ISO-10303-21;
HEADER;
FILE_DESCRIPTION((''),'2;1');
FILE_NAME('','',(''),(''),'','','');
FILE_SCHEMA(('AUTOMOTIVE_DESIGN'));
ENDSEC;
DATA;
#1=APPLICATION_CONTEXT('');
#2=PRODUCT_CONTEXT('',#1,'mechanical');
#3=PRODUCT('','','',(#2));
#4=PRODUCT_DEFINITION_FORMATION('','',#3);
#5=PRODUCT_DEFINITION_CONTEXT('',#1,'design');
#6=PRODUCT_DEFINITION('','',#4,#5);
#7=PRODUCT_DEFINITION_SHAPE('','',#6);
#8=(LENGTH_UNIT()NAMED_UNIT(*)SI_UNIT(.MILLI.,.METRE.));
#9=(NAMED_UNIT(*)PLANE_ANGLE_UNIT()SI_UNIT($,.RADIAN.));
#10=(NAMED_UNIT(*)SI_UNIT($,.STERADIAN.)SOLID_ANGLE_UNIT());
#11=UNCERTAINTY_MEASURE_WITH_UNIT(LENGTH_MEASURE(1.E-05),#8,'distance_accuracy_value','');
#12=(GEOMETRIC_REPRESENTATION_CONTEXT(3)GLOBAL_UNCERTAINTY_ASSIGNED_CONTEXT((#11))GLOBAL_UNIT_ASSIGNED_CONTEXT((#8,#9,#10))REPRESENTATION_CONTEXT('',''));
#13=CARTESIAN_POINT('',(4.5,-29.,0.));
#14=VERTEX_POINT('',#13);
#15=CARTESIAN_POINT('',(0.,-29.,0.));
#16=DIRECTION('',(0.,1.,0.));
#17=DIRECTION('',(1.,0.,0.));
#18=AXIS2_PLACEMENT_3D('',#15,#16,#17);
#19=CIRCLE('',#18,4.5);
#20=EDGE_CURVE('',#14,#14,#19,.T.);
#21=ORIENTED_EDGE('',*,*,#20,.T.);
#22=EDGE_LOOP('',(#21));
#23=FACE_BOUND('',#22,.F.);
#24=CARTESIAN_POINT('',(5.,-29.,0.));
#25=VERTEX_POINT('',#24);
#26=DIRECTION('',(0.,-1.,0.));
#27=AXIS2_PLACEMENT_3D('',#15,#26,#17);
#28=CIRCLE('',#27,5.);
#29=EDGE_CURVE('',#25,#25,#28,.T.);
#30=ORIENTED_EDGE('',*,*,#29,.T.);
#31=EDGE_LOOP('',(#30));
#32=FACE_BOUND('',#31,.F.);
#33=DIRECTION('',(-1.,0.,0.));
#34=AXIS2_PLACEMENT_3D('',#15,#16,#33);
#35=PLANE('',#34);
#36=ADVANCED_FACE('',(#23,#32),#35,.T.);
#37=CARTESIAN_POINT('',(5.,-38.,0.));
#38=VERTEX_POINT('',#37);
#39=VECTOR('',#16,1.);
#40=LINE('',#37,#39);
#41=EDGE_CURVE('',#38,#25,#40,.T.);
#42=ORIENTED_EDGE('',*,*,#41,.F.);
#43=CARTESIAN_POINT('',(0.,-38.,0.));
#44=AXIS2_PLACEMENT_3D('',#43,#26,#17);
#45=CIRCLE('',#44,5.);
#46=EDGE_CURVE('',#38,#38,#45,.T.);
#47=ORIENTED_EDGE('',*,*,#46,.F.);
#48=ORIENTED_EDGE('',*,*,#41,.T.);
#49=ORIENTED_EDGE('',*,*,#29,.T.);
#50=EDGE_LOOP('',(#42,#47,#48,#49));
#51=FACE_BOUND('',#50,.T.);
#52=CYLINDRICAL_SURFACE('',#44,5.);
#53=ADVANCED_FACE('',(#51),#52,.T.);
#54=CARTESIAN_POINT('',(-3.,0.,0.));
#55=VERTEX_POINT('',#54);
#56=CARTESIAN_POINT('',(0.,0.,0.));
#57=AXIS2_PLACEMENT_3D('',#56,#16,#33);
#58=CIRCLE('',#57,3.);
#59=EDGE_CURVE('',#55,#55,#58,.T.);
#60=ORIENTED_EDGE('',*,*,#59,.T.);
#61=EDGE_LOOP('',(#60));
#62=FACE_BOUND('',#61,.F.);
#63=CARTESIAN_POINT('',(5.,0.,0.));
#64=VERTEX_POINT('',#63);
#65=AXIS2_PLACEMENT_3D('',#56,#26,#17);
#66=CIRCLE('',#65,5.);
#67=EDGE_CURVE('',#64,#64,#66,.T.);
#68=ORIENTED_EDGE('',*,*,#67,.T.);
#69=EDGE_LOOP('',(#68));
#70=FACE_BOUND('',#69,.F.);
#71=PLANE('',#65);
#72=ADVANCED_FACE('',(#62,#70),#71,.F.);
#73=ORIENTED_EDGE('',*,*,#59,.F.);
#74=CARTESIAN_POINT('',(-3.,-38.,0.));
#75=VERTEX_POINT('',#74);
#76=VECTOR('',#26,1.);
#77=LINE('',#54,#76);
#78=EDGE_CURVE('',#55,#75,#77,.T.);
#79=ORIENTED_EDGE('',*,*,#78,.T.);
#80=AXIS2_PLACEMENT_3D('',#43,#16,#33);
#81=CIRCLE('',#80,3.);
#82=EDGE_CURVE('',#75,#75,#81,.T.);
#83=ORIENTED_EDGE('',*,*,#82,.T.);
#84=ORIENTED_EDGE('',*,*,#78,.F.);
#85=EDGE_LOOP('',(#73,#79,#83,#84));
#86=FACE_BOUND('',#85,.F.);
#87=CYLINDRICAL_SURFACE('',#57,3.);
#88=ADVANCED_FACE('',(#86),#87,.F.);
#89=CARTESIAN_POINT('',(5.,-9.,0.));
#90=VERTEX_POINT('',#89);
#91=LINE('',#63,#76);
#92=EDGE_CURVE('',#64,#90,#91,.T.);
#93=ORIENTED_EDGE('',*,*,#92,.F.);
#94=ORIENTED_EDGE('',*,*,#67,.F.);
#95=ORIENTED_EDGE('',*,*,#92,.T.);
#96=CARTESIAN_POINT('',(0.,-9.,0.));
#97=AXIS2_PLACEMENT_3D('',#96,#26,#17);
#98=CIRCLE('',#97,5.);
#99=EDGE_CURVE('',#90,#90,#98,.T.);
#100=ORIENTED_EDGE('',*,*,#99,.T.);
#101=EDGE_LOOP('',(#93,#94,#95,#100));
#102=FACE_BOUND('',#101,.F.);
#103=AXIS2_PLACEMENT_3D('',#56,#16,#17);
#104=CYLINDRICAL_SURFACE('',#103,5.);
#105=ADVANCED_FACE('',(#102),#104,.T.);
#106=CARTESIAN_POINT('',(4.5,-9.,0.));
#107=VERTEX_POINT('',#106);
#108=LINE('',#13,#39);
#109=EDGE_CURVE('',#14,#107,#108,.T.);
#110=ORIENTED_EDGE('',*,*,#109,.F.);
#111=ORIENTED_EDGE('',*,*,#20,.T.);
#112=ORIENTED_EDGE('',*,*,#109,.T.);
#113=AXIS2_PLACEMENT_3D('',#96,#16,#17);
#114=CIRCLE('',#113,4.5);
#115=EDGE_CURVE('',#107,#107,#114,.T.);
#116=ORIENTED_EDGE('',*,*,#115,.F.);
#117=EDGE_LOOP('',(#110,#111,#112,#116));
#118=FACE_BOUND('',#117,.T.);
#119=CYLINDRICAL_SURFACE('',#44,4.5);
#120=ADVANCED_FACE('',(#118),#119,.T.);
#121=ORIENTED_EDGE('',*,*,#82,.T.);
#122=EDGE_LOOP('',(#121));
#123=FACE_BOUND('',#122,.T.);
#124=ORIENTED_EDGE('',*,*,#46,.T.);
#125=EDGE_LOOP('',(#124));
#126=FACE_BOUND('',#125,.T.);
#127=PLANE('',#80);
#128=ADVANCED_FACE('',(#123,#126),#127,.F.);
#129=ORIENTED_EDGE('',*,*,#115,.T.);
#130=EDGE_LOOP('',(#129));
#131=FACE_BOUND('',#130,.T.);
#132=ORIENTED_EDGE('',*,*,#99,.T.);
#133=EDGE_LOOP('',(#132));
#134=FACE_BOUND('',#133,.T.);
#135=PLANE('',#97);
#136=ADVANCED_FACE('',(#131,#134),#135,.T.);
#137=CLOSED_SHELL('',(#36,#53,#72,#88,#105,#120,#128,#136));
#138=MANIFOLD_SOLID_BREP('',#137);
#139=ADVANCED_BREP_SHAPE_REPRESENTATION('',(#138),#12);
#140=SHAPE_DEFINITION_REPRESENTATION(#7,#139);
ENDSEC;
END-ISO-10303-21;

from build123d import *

# Parameters (mm, degrees)
F0_R     = 5
F2_DEPTH = 9
F1_R     = 4.5
F3_DEPTH = 19
F6_R     = 3
F7_DEPTH = 38


with BuildPart() as f2:
    # F0 (on Front) → F2 (new body)
    with BuildSketch(Plane.XZ):
        Circle(F0_R)
    extrude(amount=F2_DEPTH)

    # F1 (on face) → F3 (join)
    with BuildSketch(Plane.XZ):
        Circle(F1_R)
    extrude(amount=F3_DEPTH)

    # F5: F2 across plane


with BuildPart() as f2_1:
    add(f2.part)
    add(f2.part.mirror(Plane.XZ.offset(19)))

    # F6 (on face) → F7 (cut)
    with BuildSketch(Plane(origin=(0, 0, 0), x_dir=(-1, 0, 0), z_dir=(0, 1, 0))):
        Circle(F6_R)
    extrude(amount=-F7_DEPTH, mode=Mode.SUBTRACT)


solid = f2_1.part
